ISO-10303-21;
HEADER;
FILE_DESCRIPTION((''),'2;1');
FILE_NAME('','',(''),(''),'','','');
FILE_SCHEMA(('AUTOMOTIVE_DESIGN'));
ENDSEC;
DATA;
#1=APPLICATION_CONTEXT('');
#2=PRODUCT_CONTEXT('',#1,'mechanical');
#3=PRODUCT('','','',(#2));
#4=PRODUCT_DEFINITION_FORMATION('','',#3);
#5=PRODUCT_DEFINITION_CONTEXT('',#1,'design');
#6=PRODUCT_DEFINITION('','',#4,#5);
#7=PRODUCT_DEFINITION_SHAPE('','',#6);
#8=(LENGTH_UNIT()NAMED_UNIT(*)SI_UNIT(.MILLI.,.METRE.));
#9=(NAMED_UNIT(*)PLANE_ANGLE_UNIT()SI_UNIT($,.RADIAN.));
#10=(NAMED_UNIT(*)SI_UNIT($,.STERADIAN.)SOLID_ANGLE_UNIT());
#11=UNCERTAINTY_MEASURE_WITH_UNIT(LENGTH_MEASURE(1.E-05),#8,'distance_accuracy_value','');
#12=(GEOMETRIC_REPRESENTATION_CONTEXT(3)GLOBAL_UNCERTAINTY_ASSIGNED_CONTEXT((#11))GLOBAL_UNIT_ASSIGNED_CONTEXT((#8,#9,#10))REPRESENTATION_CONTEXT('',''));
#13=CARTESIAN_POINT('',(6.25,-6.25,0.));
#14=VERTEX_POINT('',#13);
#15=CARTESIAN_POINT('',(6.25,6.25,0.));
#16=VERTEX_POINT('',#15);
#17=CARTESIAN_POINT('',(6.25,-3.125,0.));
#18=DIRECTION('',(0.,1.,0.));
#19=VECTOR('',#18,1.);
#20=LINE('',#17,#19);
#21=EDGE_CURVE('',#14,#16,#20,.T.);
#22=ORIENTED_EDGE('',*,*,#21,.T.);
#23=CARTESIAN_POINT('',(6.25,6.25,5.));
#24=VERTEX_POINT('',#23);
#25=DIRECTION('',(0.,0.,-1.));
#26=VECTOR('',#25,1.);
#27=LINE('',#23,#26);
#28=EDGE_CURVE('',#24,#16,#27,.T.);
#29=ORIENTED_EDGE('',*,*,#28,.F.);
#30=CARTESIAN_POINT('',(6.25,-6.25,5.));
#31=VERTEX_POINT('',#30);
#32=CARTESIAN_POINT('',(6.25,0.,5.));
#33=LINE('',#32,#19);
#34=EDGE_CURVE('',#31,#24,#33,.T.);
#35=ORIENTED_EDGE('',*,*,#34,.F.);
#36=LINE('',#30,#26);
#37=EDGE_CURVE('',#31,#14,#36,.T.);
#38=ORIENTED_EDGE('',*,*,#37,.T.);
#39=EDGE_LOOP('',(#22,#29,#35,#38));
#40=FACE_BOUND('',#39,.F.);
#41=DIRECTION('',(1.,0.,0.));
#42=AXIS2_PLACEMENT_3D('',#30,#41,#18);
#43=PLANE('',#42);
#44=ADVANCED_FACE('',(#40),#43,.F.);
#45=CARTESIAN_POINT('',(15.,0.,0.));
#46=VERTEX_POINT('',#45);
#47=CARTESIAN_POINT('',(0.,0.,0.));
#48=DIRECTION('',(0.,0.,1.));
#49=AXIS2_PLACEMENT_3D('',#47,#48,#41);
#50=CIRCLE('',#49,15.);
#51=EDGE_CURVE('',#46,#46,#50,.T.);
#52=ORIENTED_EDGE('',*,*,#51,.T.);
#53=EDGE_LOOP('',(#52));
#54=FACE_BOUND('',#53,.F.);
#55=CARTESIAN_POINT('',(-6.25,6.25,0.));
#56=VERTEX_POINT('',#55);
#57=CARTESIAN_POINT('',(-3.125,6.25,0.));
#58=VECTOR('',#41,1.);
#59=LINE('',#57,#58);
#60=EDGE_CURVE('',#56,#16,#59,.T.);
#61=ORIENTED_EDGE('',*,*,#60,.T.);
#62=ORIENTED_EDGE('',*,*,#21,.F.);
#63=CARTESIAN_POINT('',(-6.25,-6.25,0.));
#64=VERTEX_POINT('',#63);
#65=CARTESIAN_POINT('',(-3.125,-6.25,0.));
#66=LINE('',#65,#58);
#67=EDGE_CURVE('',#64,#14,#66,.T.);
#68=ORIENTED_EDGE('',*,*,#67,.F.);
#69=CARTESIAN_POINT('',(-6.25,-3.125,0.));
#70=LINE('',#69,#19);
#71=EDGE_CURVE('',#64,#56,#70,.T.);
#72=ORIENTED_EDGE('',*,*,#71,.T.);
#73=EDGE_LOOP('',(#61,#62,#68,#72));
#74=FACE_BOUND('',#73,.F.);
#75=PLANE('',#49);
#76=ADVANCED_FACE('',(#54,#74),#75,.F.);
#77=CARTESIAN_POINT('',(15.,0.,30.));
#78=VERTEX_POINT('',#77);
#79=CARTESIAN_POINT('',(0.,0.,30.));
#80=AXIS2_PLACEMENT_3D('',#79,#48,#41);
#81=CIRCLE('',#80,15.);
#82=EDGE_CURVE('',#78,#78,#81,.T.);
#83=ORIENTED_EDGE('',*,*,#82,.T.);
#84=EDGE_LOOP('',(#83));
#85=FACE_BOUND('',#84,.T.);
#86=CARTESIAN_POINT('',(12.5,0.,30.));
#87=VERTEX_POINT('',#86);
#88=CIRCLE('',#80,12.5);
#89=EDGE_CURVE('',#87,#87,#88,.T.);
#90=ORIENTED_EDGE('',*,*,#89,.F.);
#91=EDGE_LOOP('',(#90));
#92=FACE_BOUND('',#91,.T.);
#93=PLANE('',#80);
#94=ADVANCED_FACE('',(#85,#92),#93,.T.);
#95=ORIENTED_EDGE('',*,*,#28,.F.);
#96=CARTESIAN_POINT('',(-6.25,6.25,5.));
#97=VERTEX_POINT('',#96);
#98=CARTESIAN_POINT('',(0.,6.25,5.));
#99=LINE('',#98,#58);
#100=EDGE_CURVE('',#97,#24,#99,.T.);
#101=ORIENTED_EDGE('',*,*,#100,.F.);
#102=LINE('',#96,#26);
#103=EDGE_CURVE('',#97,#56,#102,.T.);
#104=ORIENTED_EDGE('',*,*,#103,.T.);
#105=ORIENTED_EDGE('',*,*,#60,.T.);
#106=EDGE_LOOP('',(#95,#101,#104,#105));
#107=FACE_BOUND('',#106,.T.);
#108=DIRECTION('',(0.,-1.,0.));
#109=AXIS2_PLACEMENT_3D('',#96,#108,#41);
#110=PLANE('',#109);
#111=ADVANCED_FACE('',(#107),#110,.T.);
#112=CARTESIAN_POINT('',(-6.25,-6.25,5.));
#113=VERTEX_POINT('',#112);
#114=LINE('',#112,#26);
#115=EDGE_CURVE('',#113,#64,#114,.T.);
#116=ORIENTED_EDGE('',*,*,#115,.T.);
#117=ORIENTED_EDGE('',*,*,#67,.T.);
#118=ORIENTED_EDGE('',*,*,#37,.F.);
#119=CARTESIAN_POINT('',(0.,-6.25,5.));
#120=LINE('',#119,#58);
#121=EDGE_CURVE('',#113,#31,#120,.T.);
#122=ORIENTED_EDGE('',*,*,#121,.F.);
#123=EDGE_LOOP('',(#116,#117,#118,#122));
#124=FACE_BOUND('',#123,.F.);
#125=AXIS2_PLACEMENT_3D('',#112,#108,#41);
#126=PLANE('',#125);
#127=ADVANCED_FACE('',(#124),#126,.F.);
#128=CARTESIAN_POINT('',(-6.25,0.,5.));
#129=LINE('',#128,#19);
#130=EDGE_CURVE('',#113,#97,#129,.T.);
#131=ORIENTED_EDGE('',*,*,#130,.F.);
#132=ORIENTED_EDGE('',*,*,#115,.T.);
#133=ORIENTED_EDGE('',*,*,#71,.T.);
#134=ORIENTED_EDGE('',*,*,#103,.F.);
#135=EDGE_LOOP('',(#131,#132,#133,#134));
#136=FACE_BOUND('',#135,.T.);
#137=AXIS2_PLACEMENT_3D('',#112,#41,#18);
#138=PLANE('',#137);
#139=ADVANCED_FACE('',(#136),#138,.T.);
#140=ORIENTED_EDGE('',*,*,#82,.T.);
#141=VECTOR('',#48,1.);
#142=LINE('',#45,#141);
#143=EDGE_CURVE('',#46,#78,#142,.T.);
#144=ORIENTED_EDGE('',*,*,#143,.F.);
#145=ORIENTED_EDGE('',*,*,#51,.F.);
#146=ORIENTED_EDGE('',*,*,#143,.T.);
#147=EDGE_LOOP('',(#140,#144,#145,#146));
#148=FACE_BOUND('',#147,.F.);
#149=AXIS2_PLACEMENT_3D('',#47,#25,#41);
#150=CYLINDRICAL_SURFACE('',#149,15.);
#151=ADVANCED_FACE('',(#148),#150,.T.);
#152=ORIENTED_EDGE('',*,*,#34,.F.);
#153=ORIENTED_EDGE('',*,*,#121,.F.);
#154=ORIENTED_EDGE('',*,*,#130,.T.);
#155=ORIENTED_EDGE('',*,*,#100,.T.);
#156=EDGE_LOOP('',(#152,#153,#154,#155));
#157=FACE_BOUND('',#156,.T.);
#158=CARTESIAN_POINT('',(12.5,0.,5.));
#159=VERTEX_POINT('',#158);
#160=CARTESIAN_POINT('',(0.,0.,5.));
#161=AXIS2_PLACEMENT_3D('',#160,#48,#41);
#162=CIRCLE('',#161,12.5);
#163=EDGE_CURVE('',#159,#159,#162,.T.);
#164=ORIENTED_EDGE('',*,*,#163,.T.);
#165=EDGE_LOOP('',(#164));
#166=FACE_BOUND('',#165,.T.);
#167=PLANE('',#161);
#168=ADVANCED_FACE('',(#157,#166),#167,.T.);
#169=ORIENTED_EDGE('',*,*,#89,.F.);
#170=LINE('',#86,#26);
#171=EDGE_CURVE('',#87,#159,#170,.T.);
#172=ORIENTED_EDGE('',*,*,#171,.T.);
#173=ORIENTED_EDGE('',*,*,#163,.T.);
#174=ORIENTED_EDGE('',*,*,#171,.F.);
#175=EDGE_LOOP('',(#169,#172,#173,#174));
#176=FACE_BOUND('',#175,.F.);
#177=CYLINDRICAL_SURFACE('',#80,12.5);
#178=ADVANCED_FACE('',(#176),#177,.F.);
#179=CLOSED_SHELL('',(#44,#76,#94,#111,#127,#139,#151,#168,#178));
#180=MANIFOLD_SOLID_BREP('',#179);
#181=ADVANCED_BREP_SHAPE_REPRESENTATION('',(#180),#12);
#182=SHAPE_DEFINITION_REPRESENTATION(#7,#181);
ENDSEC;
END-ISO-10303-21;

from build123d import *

# Parameters (mm, degrees)
F0_R     = 15
F1_DEPTH = 30
F2_R     = 12.5
F3_DEPTH = 25
F4_W     = 12.5
F4_H     = 12.5
F5_DEPTH = 5.001


with BuildPart() as f1:
    # F0 (on Top) → F1 (new body)
    with BuildSketch(Plane.XY):
        Circle(F0_R)
    extrude(amount=F1_DEPTH)

    # F2 (on face) → F3 (cut)
    with BuildSketch(Plane.XY.offset(30)):
        Circle(F2_R)
    extrude(amount=-F3_DEPTH, mode=Mode.SUBTRACT)

    # F4 (on face) → F5 (cut, through all)
    with BuildSketch(Plane.XY.offset(5)):
        Rectangle(F4_W, F4_H)
    extrude(amount=-F5_DEPTH, mode=Mode.SUBTRACT)


solid = f1.part
